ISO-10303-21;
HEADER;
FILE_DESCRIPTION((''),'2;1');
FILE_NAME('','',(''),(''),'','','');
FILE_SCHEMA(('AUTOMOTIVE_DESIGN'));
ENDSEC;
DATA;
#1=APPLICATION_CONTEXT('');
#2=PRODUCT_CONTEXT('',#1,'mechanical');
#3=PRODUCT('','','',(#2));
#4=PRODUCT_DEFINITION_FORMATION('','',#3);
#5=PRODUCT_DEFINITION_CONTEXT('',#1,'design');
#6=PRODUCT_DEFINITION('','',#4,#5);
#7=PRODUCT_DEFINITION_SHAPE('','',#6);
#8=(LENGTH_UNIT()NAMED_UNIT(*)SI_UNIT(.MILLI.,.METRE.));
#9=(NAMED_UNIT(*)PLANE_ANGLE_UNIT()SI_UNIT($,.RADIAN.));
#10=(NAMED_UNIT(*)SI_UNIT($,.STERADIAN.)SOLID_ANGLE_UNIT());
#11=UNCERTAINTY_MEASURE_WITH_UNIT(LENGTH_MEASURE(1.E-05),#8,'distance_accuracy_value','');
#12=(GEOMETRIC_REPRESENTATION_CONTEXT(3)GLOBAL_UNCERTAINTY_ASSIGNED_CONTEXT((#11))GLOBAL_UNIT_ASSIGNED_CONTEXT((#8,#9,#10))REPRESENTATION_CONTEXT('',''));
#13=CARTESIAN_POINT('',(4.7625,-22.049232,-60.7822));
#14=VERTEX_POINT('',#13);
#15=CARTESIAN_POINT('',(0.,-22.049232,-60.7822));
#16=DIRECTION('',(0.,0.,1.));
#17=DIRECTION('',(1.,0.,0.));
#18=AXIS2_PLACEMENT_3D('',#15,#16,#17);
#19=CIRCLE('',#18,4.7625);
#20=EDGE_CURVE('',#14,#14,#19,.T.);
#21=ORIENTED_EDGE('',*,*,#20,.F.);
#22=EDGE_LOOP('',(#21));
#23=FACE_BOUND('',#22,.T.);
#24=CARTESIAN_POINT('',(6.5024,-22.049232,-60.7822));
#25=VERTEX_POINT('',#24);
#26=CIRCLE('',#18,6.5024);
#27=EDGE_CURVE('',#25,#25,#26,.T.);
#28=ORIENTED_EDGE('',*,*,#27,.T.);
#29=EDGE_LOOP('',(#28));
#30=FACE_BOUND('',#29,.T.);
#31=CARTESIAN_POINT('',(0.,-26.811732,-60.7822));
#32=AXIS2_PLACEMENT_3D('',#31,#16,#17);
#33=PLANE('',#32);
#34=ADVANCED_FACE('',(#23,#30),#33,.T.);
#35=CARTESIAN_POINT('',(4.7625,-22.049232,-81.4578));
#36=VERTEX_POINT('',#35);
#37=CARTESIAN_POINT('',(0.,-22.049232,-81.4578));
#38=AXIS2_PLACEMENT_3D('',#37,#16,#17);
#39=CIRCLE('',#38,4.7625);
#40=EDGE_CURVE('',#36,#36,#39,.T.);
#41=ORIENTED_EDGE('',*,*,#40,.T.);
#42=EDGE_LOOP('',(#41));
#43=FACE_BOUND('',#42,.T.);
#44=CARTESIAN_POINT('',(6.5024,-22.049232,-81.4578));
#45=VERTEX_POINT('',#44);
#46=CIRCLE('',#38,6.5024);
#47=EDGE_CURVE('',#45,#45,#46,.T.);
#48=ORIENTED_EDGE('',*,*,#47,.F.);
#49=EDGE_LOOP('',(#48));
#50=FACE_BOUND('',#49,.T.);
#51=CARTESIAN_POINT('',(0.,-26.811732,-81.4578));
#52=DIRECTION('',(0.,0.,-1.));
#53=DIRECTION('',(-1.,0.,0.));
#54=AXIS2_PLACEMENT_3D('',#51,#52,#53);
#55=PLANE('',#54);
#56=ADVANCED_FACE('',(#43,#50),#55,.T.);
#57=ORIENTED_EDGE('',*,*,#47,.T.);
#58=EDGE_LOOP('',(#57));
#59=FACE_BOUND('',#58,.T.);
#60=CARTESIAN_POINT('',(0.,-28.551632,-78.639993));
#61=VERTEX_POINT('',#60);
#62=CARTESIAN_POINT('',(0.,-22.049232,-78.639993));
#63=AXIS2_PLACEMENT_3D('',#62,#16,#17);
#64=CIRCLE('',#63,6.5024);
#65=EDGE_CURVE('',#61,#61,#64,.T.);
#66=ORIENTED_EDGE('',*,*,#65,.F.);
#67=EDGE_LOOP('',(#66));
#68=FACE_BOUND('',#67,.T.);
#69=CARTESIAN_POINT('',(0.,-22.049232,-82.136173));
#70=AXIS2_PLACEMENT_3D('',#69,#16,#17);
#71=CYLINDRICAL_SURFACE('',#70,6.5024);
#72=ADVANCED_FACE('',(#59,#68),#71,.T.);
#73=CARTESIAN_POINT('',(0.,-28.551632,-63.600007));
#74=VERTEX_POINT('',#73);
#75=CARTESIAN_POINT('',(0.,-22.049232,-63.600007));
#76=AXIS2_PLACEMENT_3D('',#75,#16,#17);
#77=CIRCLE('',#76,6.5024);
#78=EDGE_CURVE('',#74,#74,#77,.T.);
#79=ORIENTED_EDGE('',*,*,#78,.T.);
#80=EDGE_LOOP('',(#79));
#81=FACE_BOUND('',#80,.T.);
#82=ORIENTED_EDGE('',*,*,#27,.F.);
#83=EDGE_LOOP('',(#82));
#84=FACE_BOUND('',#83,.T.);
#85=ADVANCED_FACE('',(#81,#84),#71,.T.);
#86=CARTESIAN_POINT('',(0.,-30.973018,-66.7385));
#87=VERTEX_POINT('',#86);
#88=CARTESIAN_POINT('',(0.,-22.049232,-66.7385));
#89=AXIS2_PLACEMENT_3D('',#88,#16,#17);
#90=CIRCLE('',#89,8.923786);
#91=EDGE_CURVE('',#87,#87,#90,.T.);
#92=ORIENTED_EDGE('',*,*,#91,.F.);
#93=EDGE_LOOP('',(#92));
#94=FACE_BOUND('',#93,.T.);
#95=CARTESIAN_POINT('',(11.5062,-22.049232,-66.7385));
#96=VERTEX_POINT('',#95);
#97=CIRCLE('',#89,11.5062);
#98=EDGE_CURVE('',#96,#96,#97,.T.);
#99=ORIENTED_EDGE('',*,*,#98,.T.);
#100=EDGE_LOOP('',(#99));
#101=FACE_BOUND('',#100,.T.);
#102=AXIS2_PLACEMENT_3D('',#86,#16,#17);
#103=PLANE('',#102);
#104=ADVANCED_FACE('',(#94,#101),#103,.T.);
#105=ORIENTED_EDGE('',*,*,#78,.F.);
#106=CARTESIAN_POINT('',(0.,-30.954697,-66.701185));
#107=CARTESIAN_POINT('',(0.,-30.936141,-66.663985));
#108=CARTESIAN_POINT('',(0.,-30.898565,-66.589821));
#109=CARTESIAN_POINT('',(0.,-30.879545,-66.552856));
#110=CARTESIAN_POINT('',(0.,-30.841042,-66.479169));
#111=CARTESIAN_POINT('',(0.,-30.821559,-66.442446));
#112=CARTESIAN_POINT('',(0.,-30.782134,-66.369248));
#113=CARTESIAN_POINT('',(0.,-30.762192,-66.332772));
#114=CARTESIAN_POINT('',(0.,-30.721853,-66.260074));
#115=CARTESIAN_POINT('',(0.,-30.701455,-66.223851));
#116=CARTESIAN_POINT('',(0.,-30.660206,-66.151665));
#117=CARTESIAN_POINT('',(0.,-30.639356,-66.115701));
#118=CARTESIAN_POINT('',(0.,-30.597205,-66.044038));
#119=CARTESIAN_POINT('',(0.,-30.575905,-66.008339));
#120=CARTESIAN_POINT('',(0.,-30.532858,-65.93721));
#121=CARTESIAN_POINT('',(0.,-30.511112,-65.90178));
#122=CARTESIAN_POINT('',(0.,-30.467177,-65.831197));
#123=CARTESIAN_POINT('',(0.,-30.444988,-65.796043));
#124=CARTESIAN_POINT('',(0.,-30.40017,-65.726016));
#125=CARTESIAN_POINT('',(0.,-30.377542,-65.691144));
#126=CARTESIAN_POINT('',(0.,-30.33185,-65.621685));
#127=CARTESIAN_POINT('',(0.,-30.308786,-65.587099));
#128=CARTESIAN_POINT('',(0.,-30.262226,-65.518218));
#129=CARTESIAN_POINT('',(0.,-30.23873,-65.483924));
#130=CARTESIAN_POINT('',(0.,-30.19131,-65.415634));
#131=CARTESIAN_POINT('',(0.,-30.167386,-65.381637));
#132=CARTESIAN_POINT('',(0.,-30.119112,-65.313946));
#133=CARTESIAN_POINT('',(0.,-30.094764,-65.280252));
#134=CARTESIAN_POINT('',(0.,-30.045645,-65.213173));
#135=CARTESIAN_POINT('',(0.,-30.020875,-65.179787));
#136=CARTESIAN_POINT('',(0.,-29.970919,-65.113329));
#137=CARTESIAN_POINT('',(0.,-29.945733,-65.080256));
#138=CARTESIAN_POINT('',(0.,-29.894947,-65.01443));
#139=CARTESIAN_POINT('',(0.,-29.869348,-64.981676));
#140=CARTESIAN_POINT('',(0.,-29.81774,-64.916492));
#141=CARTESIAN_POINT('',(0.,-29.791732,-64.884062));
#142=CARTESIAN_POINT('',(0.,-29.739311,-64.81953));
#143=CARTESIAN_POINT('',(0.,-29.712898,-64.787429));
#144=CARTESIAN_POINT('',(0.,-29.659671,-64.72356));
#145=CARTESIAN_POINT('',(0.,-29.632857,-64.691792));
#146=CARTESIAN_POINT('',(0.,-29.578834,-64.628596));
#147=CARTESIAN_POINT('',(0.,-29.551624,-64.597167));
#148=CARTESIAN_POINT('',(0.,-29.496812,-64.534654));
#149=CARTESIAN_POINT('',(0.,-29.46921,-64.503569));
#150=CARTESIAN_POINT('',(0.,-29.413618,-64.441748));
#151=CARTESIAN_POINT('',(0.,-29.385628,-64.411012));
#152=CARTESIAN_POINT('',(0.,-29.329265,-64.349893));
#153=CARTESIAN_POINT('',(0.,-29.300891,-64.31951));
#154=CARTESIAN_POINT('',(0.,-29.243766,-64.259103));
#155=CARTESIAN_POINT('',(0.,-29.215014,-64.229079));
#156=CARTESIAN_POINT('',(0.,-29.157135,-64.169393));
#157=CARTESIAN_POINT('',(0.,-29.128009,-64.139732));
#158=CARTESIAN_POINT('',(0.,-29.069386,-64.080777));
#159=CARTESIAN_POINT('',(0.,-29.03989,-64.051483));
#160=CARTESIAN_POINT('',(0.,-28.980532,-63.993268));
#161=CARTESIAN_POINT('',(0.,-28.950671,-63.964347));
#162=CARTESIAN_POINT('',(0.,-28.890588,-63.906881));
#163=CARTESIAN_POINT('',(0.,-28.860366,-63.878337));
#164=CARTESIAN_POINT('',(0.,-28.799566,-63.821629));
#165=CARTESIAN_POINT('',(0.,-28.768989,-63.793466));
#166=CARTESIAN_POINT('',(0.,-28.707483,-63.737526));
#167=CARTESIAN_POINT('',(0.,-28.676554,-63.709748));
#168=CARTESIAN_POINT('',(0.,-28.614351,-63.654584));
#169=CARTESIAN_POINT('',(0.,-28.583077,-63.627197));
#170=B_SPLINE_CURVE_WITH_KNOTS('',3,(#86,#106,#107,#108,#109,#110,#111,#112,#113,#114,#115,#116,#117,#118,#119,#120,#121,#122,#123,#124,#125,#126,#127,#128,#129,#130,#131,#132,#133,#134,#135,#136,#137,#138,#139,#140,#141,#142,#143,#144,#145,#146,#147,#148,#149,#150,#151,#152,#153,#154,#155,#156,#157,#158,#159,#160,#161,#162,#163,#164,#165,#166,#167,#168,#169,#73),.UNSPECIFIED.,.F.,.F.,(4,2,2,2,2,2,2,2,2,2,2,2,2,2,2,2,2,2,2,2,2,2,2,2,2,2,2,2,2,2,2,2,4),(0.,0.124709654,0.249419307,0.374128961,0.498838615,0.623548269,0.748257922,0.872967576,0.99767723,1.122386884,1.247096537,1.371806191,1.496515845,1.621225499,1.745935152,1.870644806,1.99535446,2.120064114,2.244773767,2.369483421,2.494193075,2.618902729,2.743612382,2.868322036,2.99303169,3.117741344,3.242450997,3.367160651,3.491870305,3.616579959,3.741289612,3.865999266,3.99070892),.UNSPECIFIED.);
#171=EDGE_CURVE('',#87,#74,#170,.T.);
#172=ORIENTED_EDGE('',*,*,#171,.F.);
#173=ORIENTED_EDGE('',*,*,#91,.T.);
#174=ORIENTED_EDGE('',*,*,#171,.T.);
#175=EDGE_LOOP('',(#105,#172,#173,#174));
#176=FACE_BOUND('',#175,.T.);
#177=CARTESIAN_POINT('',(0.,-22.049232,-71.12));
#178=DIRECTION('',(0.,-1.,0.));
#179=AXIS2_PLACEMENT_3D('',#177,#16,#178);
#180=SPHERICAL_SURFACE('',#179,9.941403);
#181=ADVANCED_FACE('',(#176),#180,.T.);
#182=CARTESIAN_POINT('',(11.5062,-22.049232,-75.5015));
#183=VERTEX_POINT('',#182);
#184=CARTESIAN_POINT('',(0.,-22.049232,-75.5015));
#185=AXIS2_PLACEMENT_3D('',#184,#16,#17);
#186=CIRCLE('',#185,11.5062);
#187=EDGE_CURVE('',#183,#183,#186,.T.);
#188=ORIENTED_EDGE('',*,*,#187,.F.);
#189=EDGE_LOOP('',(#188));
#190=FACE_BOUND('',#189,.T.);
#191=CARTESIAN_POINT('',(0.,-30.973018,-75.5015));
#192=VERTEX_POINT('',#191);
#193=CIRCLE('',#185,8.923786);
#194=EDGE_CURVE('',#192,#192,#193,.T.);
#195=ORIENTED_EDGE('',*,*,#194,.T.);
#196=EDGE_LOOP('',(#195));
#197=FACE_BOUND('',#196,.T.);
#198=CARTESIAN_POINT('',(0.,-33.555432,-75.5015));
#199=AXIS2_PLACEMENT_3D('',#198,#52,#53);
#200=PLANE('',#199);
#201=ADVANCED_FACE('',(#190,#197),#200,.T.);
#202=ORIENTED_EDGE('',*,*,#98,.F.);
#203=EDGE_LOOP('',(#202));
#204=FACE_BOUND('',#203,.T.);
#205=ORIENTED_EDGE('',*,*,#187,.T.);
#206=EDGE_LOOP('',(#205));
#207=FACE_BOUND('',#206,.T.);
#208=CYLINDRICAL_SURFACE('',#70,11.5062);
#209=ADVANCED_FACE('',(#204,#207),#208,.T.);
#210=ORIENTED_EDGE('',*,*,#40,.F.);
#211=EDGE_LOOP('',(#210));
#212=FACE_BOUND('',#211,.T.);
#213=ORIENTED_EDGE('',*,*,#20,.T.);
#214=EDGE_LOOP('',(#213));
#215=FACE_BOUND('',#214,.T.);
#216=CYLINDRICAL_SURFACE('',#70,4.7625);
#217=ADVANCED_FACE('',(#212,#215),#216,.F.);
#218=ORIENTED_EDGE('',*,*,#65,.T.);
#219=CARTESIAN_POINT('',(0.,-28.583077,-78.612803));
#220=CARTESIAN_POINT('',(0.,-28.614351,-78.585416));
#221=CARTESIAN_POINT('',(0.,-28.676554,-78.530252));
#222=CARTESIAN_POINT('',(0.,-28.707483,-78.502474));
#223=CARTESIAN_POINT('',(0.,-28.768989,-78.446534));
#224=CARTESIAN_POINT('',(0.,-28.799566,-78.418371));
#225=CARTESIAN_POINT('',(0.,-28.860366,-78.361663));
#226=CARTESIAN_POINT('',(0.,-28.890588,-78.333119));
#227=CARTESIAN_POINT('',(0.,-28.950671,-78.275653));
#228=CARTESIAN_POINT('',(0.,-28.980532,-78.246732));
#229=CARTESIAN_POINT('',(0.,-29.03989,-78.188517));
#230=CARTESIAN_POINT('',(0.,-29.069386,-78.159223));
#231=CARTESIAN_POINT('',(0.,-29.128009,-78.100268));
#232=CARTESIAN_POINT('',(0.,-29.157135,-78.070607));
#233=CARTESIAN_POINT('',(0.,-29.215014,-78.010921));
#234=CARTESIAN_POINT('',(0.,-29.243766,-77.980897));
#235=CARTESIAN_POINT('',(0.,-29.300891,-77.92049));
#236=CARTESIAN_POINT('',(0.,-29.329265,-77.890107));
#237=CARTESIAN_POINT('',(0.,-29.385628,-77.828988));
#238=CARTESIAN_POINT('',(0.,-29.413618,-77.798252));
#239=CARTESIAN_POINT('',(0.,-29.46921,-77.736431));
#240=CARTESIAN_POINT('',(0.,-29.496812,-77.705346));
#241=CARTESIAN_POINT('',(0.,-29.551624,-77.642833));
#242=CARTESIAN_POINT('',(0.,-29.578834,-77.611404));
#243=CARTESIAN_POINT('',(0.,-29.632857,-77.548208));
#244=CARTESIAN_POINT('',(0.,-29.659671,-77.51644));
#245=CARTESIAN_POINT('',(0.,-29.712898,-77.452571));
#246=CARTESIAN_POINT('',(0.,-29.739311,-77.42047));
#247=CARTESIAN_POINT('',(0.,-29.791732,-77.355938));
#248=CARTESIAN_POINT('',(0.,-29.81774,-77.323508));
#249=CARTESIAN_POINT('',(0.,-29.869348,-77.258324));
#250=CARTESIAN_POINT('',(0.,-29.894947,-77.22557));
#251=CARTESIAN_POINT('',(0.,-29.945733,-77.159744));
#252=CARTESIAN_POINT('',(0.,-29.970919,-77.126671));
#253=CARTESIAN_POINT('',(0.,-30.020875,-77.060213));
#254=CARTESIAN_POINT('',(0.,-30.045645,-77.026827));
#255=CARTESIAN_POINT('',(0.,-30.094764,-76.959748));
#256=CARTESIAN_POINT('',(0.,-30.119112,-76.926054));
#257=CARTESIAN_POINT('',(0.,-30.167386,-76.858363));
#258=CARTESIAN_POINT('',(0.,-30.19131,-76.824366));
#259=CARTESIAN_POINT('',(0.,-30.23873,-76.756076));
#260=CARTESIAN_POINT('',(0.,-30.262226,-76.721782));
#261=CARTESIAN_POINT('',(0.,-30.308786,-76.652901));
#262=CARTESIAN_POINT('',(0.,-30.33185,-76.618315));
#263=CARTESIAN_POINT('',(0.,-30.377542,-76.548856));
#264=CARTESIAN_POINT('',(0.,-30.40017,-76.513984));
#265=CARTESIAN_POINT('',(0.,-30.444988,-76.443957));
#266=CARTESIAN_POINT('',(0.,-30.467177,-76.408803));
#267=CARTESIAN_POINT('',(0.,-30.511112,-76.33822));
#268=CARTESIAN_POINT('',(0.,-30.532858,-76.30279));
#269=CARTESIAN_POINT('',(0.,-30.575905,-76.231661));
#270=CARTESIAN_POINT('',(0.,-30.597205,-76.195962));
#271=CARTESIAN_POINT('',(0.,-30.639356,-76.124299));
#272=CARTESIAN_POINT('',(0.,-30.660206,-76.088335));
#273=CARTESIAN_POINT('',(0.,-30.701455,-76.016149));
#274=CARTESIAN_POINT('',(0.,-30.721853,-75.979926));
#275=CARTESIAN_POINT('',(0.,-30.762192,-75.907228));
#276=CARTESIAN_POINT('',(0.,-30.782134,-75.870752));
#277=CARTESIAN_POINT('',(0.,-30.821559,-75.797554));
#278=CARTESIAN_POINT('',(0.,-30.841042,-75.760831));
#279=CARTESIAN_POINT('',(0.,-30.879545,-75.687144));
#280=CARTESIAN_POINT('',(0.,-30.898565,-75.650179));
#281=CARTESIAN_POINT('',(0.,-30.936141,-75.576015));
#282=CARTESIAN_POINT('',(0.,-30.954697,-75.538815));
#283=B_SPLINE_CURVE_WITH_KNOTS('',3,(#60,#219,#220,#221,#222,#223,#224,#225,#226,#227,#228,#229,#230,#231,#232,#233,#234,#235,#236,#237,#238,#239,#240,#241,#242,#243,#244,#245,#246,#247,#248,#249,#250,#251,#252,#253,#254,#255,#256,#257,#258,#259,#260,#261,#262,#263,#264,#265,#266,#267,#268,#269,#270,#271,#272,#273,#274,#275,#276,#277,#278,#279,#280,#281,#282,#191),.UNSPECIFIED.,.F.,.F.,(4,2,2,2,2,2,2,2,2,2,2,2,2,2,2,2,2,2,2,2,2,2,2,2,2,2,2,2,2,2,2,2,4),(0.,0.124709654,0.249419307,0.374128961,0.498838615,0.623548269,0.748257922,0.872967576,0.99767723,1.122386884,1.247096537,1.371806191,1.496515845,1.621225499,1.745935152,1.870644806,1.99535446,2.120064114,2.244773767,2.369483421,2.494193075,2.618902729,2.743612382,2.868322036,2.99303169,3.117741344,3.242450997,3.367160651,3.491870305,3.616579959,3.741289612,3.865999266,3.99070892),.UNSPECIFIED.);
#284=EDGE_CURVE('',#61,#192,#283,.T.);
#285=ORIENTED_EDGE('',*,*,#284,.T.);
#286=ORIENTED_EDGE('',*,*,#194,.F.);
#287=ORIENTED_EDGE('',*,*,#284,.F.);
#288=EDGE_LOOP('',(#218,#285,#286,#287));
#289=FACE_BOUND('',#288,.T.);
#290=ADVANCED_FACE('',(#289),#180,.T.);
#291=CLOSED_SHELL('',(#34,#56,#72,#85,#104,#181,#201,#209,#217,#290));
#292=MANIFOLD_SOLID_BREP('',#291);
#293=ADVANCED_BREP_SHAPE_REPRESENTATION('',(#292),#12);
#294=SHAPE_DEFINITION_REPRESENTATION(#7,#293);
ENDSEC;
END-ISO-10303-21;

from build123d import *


with BuildPart() as part:
    # Sketch1 → Revolve1 (revolve)
    with BuildSketch(Plane(origin=(0, 0, 0), x_dir=(0, 0, -1), z_dir=(1, 0, 0)), mode=Mode.PRIVATE) as revolve1_sk:
        with BuildLine():
            Line((60.7822, -26.811732), (81.4578, -26.811732))
            Line((81.4578, -26.811732), (81.4578, -28.551632))
            Line((81.4578, -28.551632), (78.639993039, -28.551632))
            ThreePointArc((78.639993039, -28.551632), (77.1926569, -29.920339878), (75.5015, -30.973018125))
            Line((75.5015, -30.973018125), (75.5015, -33.555432))
            Line((75.5015, -33.555432), (66.7385, -33.555432))
            Line((66.7385, -33.555432), (66.7385, -30.973018125))
            ThreePointArc((66.7385, -30.973018125), (65.0473431, -29.920339878), (63.600006961, -28.551632))
            Line((63.600006961, -28.551632), (60.7822, -28.551632))
            Line((60.7822, -28.551632), (60.7822, -26.811732))
        make_face()
    revolve(revolve1_sk.sketch.rotate(Axis((0, -22.049232, -82.136173087), (0, 0, -1)), 270), axis=Axis((0, -22.049232, -82.136173087), (0, 0, -1)))


solid = part.part
